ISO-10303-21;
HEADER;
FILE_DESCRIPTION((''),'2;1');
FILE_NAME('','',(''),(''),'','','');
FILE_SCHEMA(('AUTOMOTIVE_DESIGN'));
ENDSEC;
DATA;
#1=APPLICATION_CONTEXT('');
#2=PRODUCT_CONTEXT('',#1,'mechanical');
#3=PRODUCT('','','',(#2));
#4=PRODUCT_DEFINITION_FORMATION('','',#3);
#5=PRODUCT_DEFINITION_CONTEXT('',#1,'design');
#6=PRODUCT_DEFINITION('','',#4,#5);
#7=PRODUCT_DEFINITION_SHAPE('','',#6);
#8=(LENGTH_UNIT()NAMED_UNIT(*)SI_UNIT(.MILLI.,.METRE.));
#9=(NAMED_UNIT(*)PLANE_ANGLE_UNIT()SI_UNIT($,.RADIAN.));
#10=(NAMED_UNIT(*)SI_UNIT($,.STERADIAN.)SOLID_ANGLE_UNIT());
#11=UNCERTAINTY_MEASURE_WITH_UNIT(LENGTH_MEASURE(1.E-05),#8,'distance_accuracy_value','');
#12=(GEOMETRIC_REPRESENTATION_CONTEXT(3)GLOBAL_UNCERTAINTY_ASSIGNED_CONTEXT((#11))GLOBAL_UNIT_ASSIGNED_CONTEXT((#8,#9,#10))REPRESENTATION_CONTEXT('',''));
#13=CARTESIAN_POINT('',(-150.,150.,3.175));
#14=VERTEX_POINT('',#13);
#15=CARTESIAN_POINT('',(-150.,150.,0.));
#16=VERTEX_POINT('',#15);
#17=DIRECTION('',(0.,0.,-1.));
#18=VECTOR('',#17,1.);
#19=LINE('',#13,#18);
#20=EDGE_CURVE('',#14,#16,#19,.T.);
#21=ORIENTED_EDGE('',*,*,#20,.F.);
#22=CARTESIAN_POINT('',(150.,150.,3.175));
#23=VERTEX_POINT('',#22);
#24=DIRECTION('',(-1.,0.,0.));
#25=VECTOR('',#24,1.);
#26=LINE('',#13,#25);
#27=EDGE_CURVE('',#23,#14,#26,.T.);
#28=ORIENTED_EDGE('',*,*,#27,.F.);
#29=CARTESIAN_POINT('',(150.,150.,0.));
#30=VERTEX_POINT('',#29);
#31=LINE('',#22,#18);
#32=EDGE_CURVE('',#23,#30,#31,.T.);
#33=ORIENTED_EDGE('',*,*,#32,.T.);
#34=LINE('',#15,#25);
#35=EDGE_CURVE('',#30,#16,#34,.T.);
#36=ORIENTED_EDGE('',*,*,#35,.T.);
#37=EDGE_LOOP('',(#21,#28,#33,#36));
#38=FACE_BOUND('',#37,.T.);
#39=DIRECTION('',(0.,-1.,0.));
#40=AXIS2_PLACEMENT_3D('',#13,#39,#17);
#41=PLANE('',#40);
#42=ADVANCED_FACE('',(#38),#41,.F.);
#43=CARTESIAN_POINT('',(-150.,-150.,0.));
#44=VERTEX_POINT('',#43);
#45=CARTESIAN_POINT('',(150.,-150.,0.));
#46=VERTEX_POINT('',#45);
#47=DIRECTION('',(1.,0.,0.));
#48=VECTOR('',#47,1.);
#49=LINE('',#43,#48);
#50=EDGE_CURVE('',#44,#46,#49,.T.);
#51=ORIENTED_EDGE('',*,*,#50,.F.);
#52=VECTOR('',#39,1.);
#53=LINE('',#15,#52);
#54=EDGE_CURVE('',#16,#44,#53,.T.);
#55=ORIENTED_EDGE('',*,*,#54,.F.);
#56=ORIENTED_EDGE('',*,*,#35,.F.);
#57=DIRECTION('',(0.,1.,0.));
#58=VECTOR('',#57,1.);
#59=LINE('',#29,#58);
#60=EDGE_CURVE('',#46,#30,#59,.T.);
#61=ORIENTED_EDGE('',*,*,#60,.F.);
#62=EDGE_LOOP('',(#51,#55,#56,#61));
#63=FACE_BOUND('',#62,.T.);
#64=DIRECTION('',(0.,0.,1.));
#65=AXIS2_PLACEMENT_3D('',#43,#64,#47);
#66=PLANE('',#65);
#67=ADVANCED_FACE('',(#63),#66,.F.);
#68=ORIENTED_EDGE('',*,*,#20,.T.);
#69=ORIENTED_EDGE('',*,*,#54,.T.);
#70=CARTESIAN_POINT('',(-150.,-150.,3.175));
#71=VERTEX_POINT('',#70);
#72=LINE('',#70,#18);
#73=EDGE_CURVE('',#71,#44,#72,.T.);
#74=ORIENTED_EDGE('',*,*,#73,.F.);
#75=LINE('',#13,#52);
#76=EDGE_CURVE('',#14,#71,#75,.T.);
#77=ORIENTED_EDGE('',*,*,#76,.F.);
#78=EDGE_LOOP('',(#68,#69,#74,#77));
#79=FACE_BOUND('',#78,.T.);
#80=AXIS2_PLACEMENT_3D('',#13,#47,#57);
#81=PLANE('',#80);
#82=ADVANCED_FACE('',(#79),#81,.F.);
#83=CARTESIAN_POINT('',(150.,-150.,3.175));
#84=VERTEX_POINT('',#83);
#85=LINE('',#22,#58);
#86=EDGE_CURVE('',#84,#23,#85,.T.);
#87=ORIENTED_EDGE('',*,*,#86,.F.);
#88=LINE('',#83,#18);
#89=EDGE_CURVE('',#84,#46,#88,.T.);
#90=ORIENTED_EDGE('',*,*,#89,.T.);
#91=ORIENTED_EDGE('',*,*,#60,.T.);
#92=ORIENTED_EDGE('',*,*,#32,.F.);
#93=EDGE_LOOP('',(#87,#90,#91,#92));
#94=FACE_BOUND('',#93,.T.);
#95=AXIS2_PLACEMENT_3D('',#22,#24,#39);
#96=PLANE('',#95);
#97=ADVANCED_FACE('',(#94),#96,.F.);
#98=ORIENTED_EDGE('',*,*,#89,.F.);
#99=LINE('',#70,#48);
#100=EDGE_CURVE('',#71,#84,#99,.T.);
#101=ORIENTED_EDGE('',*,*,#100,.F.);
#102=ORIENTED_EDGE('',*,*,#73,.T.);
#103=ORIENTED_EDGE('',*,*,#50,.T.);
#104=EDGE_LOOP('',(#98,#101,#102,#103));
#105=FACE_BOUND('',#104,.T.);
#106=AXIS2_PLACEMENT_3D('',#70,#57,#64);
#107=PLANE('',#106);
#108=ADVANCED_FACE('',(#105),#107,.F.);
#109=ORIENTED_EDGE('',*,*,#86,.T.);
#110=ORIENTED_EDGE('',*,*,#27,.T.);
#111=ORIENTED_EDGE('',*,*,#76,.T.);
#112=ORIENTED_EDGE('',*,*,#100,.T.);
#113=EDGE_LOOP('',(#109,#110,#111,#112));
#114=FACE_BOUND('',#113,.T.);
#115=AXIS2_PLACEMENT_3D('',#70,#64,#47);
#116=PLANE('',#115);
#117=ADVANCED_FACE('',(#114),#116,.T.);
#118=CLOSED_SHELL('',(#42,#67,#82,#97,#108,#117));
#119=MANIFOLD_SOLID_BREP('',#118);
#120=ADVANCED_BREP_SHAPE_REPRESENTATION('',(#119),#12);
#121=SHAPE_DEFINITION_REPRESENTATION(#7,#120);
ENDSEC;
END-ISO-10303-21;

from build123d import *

# Parameters (mm, degrees)
SKETCH1_W           = 300
SKETCH1_H           = 300
BOSS_EXTRUDE1_DEPTH = 3.175


with BuildPart() as part:
    # Sketch1 → Boss-Extrude1 (new body)
    with BuildSketch(Plane.XY):
        Rectangle(SKETCH1_W, SKETCH1_H)
    extrude(amount=BOSS_EXTRUDE1_DEPTH)


solid = part.part
